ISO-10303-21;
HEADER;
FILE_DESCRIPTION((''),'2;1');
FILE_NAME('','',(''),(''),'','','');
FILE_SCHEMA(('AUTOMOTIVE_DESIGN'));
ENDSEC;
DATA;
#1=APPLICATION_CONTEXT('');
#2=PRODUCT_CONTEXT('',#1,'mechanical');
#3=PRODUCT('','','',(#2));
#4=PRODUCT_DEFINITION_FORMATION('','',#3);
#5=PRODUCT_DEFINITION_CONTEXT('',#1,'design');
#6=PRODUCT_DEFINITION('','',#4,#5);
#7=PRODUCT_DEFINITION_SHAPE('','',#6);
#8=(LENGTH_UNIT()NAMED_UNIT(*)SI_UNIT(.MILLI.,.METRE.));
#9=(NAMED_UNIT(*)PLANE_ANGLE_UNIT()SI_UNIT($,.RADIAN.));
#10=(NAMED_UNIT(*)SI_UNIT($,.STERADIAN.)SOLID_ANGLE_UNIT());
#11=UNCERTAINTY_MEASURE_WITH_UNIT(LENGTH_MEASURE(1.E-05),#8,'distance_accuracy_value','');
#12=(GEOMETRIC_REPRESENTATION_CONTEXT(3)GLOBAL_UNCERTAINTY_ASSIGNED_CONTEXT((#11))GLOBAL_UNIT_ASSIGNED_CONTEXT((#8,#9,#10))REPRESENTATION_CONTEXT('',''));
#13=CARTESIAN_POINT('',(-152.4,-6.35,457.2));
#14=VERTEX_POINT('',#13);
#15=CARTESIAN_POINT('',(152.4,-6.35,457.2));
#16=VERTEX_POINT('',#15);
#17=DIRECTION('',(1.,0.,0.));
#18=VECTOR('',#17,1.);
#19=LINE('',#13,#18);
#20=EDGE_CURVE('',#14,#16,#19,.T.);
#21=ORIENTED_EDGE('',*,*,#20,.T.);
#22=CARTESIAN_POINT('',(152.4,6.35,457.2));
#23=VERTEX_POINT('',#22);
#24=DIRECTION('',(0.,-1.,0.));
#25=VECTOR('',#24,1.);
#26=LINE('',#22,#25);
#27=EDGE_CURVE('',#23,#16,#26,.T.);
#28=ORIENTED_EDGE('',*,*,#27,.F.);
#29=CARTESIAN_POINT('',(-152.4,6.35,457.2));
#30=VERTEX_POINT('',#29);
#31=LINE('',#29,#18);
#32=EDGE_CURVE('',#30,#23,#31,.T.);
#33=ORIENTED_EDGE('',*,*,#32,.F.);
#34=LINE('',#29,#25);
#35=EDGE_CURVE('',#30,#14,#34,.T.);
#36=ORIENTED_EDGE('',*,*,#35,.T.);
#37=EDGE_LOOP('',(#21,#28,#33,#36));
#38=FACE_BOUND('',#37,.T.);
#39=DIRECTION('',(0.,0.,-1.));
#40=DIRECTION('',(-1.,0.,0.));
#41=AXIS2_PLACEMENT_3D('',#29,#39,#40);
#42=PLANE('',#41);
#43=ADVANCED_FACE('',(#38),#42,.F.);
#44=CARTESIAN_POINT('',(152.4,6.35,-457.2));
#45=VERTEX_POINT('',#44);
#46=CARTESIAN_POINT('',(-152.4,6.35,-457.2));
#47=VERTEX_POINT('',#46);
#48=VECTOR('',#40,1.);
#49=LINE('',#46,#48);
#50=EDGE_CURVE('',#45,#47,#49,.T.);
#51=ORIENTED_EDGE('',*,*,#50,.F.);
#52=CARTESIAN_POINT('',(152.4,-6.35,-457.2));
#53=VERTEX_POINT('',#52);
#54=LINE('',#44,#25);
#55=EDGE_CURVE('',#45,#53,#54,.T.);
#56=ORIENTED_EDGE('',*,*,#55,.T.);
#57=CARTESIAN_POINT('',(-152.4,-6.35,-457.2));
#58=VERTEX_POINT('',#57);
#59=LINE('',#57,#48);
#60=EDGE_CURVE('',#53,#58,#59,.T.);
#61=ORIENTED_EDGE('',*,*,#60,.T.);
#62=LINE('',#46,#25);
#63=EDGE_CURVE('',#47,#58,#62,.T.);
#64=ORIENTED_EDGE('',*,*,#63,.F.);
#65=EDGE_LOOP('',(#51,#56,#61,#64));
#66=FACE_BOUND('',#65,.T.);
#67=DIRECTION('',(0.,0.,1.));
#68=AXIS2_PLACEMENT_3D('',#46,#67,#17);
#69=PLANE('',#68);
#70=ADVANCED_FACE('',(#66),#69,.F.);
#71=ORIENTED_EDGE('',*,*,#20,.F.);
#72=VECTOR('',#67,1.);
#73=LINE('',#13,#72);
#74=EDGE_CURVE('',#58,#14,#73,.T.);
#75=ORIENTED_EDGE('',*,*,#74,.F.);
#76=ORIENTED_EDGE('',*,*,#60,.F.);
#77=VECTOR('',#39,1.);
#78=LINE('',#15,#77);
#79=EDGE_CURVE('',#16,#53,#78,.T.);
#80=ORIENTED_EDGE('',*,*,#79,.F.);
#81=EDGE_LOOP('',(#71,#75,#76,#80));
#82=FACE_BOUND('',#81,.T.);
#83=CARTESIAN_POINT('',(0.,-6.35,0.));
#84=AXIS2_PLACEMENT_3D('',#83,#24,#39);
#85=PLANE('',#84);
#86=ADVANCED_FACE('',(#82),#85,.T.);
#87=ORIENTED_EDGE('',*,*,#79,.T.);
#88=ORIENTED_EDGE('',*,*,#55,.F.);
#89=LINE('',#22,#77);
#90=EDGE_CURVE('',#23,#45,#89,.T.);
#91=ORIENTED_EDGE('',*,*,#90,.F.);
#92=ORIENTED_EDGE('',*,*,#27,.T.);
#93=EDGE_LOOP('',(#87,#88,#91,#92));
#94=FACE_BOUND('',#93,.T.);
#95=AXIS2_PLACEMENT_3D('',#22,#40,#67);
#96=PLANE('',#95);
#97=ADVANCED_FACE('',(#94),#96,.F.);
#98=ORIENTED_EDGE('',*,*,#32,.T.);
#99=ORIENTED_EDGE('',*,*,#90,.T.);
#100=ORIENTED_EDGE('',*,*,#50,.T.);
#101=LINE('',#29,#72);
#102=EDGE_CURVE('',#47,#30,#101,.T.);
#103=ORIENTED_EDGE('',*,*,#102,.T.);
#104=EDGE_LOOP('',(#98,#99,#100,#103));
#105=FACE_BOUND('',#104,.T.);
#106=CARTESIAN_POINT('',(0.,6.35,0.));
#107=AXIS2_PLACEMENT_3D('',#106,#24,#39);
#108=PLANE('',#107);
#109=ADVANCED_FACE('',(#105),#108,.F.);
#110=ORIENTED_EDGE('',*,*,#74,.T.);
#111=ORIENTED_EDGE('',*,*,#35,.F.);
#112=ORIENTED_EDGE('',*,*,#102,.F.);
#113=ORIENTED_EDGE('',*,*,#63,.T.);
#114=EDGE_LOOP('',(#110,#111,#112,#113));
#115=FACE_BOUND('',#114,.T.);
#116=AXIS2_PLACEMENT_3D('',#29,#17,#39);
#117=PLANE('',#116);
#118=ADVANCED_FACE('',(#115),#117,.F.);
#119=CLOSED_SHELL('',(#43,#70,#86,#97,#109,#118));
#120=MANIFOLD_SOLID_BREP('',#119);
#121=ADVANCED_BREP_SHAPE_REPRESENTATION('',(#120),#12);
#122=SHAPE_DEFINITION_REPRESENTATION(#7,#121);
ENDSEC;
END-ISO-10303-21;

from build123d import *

# Parameters (mm, degrees)
SKETCH1_W           = 304.8
SKETCH1_H           = 914.4
BOSS_EXTRUDE1_DEPTH = 6.35


with BuildPart() as part:
    # Sketch1 → Boss-Extrude1 (new body, symmetric)
    with BuildSketch(Plane(origin=(0, 0, 0), x_dir=(1, 0, 0), z_dir=(0, 1, 0))):
        Rectangle(SKETCH1_W, SKETCH1_H)
    extrude(amount=BOSS_EXTRUDE1_DEPTH, both=True)


solid = part.part
